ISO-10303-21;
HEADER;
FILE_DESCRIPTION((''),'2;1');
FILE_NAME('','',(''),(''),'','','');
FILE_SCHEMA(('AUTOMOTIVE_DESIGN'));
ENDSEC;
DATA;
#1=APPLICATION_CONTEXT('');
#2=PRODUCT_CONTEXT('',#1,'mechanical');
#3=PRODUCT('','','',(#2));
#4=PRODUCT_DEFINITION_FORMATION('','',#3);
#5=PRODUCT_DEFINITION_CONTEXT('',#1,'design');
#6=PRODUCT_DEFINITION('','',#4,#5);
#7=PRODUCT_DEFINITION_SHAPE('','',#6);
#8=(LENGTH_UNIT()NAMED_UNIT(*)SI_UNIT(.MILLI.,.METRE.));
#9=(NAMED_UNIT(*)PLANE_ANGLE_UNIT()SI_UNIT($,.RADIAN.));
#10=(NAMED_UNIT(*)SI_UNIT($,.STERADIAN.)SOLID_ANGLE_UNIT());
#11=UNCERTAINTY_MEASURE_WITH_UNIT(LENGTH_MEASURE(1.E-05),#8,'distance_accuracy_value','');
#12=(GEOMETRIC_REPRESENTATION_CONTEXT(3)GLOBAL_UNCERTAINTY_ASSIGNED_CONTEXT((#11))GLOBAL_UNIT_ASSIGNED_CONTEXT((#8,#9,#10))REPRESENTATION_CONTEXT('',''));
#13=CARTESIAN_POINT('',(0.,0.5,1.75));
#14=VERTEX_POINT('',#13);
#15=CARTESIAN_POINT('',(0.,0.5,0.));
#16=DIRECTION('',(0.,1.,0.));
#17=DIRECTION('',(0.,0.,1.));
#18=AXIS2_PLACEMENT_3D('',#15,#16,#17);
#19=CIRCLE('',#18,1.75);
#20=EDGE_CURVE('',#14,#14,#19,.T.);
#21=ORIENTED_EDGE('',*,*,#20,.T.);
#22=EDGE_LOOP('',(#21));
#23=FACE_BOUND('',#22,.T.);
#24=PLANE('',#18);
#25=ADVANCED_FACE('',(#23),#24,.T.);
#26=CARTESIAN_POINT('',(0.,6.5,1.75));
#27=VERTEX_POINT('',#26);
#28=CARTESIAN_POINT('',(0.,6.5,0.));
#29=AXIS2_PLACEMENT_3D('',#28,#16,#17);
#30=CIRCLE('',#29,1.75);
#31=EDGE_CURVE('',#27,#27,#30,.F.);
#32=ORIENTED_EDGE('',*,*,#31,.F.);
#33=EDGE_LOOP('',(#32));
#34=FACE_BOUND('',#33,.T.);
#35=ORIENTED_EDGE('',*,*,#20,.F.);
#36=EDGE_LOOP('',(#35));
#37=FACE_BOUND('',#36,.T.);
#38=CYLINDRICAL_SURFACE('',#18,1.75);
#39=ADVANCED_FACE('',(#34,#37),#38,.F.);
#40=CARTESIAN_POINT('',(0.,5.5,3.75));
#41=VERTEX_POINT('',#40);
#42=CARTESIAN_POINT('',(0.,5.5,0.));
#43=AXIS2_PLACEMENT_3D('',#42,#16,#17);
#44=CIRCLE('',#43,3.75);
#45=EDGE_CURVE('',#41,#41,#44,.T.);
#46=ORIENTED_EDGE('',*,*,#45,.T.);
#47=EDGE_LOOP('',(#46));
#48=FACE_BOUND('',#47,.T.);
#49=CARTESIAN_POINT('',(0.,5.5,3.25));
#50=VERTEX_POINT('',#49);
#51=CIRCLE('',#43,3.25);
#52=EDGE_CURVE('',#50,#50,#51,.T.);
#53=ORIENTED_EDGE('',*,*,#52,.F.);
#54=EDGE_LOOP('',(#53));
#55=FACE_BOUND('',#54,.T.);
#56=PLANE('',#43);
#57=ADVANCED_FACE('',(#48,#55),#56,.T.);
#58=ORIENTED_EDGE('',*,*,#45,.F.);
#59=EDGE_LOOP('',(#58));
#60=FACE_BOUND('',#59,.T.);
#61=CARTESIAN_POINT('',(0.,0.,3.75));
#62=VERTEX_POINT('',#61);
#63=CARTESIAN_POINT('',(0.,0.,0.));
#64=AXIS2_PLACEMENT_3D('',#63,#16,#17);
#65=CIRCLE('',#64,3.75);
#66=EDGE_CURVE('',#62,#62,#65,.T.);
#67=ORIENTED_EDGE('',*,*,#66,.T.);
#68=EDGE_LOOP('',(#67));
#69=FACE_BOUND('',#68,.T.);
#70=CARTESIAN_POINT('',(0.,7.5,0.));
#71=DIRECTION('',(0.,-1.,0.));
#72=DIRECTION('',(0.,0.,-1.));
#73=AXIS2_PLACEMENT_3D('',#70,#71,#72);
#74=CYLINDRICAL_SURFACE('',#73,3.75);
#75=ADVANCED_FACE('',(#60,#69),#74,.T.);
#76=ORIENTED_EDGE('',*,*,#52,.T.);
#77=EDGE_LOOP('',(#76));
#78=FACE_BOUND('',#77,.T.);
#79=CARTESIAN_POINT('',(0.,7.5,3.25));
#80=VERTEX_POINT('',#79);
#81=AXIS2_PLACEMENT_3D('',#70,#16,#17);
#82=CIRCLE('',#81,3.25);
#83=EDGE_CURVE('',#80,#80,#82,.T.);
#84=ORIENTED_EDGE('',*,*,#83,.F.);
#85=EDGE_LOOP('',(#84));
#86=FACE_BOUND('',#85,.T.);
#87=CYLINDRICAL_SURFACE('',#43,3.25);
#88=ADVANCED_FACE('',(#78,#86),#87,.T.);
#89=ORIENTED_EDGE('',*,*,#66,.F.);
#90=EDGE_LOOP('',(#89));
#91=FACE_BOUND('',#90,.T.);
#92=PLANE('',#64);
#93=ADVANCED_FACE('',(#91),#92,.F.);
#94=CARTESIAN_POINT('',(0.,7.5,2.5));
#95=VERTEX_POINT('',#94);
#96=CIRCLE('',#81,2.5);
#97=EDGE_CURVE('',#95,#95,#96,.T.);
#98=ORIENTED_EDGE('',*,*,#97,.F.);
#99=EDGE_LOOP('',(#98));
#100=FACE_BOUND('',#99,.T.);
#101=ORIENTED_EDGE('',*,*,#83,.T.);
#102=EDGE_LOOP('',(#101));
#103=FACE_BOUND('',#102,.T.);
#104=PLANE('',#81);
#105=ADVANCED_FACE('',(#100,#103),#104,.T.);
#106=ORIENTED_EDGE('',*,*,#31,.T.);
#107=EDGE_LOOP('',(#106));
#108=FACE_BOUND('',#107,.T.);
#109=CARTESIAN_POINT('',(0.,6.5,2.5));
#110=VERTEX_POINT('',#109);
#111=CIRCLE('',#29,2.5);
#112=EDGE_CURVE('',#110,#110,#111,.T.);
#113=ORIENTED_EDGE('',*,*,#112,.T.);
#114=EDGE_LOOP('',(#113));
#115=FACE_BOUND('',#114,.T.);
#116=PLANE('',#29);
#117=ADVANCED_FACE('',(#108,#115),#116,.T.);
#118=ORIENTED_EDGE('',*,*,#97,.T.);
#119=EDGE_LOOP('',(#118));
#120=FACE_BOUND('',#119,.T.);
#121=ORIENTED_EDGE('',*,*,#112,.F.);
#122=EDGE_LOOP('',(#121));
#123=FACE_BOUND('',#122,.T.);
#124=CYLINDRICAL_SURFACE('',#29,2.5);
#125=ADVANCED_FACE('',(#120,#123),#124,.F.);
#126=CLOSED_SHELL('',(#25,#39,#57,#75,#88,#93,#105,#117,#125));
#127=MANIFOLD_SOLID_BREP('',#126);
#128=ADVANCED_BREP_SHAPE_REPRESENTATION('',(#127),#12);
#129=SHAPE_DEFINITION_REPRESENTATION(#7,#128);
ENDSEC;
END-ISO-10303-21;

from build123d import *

# Parameters (mm, degrees)
SKETCH1_R           = 3.75
BOSS_EXTRUDE1_DEPTH = 7.5
SKETCH4_R           = 3.75
SKETCH4_R_2         = 3.25
CUT_EXTRUDE1_DEPTH  = 2
SKETCH5_R           = 1.75
CUT_EXTRUDE2_DEPTH  = 7
SKETCH6_R           = 2.5
CUT_EXTRUDE3_DEPTH  = 1


with BuildPart() as part:
    # Sketch1 → Boss-Extrude1 (new body)
    with BuildSketch(Plane(origin=(0, 0, 0), x_dir=(1, 0, 0), z_dir=(0, 1, 0))):
        Circle(SKETCH1_R)
    extrude(amount=BOSS_EXTRUDE1_DEPTH)

    # Sketch4 → Cut-Extrude1 (cut)
    with BuildSketch(Plane(origin=(0, 7.5, 0), x_dir=(1, 0, 0), z_dir=(0, 1, 0))):
        Circle(SKETCH4_R)
        Circle(SKETCH4_R_2, mode=Mode.SUBTRACT)
    extrude(amount=-CUT_EXTRUDE1_DEPTH, mode=Mode.SUBTRACT)

    # Sketch5 → Cut-Extrude2 (cut)
    with BuildSketch(Plane(origin=(0, 7.5, 0), x_dir=(1, 0, 0), z_dir=(0, 1, 0))):
        Circle(SKETCH5_R)
    extrude(amount=-CUT_EXTRUDE2_DEPTH, mode=Mode.SUBTRACT)

    # Sketch6 → Cut-Extrude3 (cut)
    with BuildSketch(Plane(origin=(0, 7.5, 0), x_dir=(1, 0, 0), z_dir=(0, 1, 0))):
        Circle(SKETCH6_R)
    extrude(amount=-CUT_EXTRUDE3_DEPTH, mode=Mode.SUBTRACT)


solid = part.part
